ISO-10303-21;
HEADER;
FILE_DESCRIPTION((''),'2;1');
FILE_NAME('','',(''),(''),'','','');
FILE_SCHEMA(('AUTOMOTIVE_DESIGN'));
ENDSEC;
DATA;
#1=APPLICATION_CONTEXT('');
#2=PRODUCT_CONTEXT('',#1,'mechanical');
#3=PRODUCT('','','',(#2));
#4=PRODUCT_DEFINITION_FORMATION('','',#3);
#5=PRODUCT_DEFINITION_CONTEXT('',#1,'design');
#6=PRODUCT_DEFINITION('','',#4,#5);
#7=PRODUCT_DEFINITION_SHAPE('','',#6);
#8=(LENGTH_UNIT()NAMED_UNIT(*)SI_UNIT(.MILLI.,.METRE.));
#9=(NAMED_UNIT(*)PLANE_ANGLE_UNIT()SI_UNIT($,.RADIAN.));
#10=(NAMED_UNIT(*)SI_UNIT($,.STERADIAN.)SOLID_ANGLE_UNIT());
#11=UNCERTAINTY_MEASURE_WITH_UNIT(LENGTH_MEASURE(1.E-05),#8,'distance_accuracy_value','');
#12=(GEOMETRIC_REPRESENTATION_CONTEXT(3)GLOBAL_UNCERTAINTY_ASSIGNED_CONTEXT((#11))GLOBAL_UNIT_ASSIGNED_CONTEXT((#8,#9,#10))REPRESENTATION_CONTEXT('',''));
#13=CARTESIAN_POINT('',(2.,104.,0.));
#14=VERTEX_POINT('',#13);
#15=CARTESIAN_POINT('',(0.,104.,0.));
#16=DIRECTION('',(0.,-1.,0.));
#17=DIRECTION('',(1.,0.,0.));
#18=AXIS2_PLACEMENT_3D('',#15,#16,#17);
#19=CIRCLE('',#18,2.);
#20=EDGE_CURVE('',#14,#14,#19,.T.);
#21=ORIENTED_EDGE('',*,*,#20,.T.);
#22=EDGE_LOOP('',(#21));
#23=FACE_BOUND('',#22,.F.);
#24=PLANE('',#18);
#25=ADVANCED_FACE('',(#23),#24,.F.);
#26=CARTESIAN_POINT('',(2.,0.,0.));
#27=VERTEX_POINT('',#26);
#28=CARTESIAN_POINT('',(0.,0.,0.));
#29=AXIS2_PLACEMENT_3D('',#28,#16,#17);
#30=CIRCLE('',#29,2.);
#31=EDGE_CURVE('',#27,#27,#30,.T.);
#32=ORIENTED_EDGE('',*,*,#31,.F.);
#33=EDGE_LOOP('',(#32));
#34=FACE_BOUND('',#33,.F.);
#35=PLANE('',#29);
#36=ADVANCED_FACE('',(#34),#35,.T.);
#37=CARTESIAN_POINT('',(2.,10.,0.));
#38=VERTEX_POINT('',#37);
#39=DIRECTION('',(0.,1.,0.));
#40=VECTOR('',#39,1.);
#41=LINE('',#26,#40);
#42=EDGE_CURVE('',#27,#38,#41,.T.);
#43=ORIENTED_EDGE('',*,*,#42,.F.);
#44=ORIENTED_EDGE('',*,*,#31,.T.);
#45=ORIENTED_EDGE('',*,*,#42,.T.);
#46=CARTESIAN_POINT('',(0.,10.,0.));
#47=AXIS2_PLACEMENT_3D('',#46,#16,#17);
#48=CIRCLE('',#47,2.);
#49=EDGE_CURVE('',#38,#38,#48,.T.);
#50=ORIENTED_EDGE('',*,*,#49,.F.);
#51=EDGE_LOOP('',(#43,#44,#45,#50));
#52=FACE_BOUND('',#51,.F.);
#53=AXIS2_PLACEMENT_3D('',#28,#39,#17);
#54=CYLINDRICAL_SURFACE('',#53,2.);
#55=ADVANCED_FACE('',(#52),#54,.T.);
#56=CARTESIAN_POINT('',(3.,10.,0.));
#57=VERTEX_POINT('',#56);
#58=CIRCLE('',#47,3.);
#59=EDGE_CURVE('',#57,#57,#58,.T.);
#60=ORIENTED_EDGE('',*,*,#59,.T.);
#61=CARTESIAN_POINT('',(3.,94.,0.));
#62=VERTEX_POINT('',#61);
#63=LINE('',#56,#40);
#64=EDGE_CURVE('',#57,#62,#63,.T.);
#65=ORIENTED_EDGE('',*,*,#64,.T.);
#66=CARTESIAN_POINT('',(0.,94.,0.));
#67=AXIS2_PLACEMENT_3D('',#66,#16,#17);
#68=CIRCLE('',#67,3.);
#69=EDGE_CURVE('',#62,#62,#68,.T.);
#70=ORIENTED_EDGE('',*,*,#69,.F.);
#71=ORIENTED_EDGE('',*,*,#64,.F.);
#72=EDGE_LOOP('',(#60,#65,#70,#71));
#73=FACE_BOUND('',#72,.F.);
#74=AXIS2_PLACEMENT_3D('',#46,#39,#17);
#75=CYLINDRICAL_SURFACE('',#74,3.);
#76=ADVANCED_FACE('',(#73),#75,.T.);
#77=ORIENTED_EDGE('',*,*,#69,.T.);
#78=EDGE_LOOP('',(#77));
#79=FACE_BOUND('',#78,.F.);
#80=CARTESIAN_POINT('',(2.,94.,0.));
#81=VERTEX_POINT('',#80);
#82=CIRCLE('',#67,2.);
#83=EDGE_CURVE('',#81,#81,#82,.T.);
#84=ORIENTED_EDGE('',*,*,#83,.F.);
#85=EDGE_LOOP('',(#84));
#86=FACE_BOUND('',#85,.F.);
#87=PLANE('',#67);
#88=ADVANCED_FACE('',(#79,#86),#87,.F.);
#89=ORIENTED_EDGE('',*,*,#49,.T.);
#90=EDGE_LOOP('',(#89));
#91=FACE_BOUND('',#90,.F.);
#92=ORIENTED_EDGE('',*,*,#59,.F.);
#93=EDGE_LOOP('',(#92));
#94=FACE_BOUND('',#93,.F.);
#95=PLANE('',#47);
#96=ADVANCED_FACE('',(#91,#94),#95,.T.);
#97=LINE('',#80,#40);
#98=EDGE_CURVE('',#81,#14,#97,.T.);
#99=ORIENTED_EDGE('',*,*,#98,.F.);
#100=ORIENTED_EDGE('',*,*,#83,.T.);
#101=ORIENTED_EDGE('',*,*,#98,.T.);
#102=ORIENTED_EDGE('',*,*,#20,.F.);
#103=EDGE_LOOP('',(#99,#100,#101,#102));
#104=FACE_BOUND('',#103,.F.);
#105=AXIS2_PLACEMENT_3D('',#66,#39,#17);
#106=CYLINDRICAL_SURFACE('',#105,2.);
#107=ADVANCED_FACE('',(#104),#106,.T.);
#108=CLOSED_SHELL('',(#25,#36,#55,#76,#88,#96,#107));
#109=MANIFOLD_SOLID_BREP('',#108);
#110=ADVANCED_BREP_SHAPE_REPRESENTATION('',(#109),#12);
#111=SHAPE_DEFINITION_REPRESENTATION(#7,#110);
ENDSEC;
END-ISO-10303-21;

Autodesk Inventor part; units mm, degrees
ref_plane "YZ Plane" through (0, 0, 0) normal (1, 0, 0) x (0, 1, 0)
ref_plane "XZ Plane" through (0, 0, 0) normal (0, 1, 0) x (-1, 0, 0)
ref_plane "XY Plane" through (0, 0, 0) normal (0, 0, 1) x (1, 0, 0)
sketch "Sketch1" plane through (0, 0, 0) normal (0, 0, 1) x (1, 0, 0)
  line L0 (0, 0) -> (2, 0)
  line L1 (2, 0) -> (2, 10)
  line L2 (2, 10) -> (3, 10)
  line L3 (3, 10) -> (3, 94)
  line L4 (3, 94) -> (2, 94)
  line L5 (2, 94) -> (2, 104)
  line L6 (2, 104) -> (0, 104)
  line L7 (0, 104) -> (0, 0)
  dimension "d0" = 2
  dimension "d1" = 10
  dimension "d2" = 1
  dimension "d3" = 84
  dimension "d4" = 1
  dimension "d5" = 10
revolve "Revolution1" add sketch "Sketch1" angle 360 about axis through (0, 104, 0) along (0, -1, 0)
properties part number "manipulo" material "Aluminum 6061-AHC"
